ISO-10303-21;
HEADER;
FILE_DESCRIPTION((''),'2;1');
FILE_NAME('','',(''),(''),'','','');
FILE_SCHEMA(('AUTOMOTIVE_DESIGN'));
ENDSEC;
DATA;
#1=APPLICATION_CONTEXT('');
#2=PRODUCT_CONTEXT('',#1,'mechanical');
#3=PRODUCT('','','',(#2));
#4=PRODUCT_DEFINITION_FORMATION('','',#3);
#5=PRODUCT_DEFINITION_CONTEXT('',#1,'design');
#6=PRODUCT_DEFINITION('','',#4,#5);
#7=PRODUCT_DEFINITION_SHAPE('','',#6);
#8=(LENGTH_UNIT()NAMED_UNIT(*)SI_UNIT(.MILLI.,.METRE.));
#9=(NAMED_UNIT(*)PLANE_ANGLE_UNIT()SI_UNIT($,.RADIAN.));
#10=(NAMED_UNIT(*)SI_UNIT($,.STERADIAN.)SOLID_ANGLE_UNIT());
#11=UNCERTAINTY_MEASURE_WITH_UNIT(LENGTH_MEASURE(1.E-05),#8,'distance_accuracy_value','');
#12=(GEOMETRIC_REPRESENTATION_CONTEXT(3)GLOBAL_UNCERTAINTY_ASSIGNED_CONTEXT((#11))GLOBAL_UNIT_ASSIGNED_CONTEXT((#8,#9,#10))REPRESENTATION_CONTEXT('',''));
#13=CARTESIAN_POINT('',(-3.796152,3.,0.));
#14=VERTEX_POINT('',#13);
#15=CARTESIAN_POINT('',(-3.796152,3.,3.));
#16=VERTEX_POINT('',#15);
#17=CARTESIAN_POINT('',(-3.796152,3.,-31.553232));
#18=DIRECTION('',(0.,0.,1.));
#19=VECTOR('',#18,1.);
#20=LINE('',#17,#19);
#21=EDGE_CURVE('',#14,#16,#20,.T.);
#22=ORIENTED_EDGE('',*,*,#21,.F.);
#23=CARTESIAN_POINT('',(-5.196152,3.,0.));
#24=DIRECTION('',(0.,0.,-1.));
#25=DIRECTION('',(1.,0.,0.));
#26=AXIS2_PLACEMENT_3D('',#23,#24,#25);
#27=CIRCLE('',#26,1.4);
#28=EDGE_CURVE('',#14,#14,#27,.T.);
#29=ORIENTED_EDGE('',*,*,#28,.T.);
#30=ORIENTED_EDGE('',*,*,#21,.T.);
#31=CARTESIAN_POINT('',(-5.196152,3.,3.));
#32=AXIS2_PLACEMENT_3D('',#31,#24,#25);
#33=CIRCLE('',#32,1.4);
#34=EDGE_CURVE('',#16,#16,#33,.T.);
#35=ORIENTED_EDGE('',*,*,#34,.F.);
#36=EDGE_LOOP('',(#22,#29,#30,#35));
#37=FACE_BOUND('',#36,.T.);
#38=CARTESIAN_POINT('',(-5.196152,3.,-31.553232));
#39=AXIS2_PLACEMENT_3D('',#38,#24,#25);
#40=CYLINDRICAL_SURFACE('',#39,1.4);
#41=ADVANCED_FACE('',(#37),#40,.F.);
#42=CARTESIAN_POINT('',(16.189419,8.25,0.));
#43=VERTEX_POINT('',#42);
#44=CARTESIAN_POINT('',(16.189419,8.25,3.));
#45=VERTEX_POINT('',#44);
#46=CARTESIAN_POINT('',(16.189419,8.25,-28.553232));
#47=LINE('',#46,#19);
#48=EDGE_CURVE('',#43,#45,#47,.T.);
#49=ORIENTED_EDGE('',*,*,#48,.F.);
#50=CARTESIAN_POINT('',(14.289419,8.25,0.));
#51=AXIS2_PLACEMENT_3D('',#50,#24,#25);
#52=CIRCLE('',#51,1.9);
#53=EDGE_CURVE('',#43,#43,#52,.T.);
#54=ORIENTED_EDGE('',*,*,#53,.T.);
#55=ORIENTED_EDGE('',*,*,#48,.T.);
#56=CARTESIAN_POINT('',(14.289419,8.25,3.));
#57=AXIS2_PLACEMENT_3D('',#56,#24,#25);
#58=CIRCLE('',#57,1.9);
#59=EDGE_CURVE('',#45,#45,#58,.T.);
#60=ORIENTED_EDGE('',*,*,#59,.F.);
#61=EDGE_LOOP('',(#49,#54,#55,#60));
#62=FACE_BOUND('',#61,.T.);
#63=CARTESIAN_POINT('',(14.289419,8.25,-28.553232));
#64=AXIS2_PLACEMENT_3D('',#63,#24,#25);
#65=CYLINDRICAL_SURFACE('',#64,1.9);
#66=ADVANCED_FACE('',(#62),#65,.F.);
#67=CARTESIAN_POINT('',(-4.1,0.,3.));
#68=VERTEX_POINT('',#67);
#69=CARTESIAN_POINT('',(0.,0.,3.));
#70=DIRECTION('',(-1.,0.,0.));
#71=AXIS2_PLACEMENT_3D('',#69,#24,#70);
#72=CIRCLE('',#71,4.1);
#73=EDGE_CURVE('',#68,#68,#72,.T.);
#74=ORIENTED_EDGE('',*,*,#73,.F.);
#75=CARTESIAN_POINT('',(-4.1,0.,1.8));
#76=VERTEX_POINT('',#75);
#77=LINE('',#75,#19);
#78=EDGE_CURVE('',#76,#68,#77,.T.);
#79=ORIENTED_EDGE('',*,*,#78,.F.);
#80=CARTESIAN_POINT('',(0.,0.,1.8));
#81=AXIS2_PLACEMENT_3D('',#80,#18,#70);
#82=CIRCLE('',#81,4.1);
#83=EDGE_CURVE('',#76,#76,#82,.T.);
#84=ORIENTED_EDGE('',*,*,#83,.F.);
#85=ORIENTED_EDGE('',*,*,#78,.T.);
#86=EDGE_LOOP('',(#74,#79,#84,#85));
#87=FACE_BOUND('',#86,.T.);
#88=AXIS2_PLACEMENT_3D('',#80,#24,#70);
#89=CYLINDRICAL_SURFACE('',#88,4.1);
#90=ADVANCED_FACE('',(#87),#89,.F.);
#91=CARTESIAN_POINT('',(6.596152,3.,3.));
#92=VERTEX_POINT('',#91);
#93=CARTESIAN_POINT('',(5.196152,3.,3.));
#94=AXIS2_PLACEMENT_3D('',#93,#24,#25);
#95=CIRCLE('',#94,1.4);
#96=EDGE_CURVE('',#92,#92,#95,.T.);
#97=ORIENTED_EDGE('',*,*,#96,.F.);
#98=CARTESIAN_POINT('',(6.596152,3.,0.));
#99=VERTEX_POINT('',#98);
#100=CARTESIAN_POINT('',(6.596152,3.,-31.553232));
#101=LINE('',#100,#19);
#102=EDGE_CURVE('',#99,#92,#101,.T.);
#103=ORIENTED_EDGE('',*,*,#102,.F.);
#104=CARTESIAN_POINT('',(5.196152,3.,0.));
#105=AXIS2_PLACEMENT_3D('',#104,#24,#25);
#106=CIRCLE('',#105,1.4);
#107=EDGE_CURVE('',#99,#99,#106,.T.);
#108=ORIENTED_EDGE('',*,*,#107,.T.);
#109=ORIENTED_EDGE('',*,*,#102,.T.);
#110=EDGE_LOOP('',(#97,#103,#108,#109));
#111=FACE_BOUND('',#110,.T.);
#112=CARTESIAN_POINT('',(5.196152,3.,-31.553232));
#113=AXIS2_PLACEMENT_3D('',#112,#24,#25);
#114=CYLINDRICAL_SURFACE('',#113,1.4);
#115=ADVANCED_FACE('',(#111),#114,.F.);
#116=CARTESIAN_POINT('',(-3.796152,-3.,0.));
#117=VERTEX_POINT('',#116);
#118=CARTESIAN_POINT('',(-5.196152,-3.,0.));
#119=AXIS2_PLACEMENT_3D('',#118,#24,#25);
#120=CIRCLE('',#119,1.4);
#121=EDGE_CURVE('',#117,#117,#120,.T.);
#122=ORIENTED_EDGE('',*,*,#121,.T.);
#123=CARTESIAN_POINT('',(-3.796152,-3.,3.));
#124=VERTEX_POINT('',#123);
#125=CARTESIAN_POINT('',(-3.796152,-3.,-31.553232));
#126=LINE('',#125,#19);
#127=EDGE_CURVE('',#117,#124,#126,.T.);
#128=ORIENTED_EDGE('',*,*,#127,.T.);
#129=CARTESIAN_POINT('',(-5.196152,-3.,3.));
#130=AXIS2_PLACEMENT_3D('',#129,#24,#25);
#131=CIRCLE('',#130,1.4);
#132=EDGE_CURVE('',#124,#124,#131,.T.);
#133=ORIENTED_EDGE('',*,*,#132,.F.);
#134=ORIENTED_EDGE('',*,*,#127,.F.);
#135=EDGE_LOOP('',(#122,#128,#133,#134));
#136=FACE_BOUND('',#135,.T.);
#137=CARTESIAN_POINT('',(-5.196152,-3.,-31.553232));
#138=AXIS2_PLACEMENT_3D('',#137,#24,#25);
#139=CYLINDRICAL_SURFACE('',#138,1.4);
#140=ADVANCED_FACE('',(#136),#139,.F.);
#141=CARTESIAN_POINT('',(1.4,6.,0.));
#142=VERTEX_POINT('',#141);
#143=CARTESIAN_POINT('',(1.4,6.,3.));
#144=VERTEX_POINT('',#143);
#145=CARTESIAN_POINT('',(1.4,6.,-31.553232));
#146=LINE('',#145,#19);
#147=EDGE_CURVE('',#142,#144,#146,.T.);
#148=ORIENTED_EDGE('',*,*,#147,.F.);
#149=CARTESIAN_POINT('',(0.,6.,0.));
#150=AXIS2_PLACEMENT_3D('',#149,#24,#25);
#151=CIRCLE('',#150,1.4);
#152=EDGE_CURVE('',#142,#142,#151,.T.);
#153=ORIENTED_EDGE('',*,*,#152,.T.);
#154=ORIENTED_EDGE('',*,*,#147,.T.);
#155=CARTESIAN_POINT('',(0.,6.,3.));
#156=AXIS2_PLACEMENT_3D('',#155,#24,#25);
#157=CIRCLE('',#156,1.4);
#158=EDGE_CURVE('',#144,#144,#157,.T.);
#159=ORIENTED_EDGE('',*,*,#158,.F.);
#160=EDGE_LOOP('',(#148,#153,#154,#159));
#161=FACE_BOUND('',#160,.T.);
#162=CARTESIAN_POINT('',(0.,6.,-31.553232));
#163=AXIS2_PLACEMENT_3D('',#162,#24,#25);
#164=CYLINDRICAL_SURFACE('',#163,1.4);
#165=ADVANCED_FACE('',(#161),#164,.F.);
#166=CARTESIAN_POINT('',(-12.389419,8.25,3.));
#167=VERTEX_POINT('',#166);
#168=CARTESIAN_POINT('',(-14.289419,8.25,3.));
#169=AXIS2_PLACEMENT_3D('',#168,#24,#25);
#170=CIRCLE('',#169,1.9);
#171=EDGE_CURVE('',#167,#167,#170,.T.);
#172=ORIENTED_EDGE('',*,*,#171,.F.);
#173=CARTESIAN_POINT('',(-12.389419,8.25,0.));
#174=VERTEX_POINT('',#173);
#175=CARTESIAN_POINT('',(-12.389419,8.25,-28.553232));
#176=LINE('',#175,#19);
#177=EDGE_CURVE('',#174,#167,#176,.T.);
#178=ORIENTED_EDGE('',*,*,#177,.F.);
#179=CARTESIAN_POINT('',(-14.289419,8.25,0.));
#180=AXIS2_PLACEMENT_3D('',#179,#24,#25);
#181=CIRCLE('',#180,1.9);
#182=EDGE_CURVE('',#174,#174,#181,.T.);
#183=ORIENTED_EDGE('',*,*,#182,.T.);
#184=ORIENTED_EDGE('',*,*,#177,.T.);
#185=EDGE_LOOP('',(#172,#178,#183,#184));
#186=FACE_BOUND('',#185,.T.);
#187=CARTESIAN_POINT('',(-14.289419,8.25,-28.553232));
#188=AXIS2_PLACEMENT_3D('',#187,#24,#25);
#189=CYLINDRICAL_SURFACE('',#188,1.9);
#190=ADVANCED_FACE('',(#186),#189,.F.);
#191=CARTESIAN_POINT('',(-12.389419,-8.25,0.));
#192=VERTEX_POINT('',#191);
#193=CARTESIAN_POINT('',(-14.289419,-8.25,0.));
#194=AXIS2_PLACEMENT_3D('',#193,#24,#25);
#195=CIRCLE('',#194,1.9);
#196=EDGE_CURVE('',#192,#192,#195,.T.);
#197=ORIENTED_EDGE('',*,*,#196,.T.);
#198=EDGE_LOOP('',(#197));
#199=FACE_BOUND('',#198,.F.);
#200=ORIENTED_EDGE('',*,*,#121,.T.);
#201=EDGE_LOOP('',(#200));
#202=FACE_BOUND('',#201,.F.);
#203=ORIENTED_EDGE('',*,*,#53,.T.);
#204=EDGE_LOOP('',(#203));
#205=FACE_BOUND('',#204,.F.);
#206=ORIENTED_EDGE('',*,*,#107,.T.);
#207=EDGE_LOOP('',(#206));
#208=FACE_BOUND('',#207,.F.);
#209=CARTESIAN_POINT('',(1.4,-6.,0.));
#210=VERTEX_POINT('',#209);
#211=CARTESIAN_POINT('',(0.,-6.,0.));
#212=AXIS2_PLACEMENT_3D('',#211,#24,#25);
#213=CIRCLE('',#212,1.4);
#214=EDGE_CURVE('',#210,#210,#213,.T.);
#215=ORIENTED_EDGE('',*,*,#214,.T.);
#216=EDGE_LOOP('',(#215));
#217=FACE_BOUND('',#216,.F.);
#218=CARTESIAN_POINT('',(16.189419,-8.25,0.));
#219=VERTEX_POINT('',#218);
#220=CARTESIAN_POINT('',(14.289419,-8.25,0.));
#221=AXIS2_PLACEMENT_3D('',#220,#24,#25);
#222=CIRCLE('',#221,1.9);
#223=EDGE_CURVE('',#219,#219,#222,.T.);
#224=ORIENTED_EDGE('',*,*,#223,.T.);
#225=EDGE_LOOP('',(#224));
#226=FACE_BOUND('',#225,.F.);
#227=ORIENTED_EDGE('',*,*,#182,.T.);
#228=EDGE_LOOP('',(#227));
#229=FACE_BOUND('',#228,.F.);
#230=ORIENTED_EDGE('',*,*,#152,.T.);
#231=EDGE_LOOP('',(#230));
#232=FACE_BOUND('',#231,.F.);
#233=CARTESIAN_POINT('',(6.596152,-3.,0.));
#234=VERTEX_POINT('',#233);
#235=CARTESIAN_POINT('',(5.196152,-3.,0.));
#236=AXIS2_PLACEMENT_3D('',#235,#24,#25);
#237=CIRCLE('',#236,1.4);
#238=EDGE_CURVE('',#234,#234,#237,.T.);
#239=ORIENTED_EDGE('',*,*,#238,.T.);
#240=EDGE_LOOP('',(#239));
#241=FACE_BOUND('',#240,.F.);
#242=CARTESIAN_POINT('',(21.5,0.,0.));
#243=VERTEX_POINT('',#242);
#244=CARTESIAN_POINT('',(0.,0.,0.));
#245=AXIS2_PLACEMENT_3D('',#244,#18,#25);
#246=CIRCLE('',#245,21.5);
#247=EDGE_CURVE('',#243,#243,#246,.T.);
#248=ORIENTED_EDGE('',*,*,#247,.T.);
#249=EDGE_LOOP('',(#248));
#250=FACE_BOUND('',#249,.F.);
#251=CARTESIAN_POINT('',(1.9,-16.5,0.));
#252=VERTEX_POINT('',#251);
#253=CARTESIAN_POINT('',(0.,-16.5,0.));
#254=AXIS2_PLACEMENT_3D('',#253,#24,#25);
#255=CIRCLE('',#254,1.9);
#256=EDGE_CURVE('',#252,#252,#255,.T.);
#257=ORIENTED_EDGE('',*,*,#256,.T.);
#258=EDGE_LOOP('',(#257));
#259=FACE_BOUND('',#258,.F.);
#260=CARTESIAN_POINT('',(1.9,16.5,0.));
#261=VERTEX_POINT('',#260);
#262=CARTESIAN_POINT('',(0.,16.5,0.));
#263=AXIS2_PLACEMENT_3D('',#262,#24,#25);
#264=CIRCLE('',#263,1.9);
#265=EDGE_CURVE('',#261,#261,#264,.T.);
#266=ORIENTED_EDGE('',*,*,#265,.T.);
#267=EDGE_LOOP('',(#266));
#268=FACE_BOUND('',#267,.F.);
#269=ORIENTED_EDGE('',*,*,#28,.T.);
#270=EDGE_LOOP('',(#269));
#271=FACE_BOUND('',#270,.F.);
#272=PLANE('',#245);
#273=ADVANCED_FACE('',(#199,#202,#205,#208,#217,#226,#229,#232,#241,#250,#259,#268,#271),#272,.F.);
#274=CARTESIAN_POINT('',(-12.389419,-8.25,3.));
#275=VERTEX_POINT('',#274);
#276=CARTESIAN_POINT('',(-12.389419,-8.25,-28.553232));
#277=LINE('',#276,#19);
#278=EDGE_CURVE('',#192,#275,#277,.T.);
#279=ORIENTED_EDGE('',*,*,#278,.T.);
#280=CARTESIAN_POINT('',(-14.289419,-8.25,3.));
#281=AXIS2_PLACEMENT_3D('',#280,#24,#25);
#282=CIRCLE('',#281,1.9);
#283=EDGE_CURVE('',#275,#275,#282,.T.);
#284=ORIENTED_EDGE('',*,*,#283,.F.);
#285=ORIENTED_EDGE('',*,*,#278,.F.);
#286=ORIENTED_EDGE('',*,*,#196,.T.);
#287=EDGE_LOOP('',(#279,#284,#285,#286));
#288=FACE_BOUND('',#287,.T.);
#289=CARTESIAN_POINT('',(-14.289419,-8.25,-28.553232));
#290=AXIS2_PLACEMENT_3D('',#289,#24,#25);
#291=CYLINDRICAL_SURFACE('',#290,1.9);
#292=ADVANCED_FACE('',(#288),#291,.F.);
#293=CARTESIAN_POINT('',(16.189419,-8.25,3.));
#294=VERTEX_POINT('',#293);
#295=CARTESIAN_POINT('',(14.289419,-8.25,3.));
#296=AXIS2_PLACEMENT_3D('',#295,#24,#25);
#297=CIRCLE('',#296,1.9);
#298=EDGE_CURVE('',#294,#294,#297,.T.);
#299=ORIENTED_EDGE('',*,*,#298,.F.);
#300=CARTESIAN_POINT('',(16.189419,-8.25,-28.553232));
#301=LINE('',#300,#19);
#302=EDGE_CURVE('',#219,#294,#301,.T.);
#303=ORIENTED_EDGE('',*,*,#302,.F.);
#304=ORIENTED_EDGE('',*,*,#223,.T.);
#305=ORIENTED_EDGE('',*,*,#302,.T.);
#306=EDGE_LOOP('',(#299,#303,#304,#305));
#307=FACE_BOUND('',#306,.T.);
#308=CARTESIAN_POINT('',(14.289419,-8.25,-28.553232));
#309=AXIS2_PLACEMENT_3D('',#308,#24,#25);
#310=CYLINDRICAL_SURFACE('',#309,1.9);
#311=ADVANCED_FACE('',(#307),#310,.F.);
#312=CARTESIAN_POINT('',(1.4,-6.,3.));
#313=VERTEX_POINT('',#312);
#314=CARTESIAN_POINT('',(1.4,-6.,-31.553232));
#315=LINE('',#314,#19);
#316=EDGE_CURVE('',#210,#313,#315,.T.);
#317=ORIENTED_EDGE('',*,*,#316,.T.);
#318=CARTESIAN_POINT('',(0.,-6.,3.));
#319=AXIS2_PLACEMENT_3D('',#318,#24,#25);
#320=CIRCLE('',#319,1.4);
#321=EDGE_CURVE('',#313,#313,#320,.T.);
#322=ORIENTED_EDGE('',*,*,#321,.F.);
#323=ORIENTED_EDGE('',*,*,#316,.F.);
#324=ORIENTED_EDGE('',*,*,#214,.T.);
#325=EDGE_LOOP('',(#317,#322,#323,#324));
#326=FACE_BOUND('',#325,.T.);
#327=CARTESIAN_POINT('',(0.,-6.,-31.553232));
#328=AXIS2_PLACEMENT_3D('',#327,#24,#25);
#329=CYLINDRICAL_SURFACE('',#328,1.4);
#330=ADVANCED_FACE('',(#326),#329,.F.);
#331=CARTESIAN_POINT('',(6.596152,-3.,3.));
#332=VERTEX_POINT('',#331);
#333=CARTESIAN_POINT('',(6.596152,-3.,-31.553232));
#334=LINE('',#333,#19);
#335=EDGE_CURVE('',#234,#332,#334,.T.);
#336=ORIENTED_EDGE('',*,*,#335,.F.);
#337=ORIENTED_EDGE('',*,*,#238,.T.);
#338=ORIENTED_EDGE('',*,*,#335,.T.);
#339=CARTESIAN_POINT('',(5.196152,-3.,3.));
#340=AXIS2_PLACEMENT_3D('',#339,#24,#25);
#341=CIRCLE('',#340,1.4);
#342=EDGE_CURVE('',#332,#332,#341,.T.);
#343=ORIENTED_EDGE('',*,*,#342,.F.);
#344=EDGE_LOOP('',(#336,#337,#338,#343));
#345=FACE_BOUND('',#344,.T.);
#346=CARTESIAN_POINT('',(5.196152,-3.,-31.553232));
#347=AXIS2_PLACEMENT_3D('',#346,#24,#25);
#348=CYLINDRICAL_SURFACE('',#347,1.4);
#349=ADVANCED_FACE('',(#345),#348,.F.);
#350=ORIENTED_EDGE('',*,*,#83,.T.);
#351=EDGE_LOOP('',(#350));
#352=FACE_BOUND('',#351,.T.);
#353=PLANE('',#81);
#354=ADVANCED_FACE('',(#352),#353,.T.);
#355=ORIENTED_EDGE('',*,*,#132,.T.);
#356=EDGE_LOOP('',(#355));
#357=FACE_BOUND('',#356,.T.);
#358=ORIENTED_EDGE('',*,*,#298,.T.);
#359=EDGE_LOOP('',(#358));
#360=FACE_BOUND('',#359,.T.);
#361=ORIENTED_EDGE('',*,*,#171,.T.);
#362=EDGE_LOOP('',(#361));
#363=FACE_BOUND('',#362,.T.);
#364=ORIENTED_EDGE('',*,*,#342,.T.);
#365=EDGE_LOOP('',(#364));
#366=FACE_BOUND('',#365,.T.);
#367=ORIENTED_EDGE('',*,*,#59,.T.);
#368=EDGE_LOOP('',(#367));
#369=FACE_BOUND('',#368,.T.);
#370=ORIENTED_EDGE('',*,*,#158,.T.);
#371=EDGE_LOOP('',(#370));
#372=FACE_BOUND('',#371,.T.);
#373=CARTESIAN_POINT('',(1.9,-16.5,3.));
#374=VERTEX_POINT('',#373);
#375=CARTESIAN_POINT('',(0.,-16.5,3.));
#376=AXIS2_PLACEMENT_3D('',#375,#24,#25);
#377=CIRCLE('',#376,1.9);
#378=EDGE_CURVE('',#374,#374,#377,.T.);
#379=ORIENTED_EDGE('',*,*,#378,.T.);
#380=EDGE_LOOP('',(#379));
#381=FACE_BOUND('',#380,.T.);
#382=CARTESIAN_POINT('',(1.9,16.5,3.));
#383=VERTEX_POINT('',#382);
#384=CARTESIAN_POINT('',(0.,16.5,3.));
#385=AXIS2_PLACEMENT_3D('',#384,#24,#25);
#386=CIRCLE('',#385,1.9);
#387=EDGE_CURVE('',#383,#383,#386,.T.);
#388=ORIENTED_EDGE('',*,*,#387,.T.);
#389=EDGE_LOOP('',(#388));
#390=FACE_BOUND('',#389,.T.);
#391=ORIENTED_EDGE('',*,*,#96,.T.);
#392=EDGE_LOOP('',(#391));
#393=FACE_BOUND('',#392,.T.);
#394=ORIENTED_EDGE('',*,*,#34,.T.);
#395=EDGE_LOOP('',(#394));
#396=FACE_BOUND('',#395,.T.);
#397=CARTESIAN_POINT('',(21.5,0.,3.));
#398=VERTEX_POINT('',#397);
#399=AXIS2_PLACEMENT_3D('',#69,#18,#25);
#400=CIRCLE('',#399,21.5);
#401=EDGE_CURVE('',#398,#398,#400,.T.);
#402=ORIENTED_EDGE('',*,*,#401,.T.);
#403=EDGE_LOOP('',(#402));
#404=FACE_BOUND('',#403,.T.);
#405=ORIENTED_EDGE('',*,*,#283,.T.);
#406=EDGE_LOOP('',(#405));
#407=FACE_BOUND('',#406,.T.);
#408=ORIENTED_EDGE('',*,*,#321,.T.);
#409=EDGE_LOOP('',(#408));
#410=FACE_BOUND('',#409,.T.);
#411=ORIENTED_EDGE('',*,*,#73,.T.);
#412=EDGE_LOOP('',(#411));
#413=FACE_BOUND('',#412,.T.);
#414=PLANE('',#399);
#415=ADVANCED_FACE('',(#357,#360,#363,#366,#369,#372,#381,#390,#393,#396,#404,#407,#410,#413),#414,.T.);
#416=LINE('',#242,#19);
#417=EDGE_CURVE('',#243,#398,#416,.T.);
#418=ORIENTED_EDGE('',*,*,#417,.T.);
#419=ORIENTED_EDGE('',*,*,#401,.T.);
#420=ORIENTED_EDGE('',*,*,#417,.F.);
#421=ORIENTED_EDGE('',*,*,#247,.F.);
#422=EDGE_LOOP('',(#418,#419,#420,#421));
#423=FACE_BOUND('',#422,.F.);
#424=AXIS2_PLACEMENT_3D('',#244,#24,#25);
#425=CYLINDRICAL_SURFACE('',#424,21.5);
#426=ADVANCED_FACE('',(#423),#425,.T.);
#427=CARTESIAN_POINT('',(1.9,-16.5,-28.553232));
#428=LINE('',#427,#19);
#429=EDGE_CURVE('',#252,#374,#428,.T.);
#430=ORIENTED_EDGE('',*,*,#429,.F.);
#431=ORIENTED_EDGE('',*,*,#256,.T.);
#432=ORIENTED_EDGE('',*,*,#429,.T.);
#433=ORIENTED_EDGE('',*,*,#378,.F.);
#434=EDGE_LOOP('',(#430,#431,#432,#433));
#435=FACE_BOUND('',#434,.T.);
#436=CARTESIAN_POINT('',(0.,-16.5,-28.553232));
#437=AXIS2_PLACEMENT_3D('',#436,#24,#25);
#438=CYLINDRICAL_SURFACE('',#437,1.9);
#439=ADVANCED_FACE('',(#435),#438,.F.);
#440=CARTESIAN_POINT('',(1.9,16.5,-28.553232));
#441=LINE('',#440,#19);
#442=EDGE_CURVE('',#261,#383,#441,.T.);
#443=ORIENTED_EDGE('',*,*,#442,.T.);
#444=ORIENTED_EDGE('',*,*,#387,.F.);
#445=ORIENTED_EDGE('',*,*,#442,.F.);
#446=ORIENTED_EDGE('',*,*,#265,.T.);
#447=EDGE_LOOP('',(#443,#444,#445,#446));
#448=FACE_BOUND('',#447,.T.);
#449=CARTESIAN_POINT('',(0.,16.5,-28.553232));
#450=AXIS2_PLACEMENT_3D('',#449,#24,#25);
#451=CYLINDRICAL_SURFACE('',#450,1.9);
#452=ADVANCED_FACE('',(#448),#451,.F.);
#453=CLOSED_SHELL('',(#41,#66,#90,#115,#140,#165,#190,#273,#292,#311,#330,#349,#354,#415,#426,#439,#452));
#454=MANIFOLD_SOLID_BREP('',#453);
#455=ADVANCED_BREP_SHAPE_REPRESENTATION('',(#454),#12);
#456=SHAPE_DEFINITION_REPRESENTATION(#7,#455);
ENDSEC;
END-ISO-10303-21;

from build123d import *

# Parameters (mm, degrees)
SKETCH_1_R               = 21.5
EXTRUDE_1_DEPTH          = 3
CUT_EXTRUDE_1_DEPTH      = 31.553232235
CUT_EXTRUDE_1_DEPTH_BACK = 31.553232235
SKETCH_2_R               = 1.4
CUT_EXTRUDE_2_DEPTH      = 31.553232235
CUT_EXTRUDE_2_DEPTH_BACK = 31.553232235
SKETCH_3_R               = 1.9
CUT_EXTRUDE_3_DEPTH      = 31.553232235
CUT_EXTRUDE_3_DEPTH_BACK = 1.2
SKETCH_4_R               = 4.1


with BuildPart() as part:
    # ｽｹｯﾁ1 → ﾎﾞｽ - 押し出し1 (new body)
    with BuildSketch(Plane.XY):
        Circle(SKETCH_1_R)
    extrude(amount=EXTRUDE_1_DEPTH)

    # ｽｹｯﾁ2 → ｶｯﾄ - 押し出し1 (cut, two sides: drawn at the far end of the back side and taken through both)
    with BuildSketch(Plane.XY.offset(-CUT_EXTRUDE_1_DEPTH_BACK)):
        with Locations((0, 6)):
            Circle(SKETCH_2_R)
        with Locations((5.196152423, 3)):
            Circle(SKETCH_2_R)
        with Locations((5.196152423, -3)):
            Circle(SKETCH_2_R)
        with Locations((0, -6)):
            Circle(SKETCH_2_R)
        with Locations((-5.196152423, -3)):
            Circle(SKETCH_2_R)
        with Locations((-5.196152423, 3)):
            Circle(SKETCH_2_R)
    extrude(amount=CUT_EXTRUDE_1_DEPTH + CUT_EXTRUDE_1_DEPTH_BACK, mode=Mode.SUBTRACT)

    # ｽｹｯﾁ3 → ｶｯﾄ - 押し出し2 (cut, two sides: drawn at the far end of the back side and taken through both)
    with BuildSketch(Plane.XY.offset(3).offset(-CUT_EXTRUDE_2_DEPTH_BACK)):
        with Locations((0, 16.5)):
            Circle(SKETCH_3_R)
        with Locations((14.289419162, 8.25)):
            Circle(SKETCH_3_R)
        with Locations((14.289419162, -8.25)):
            Circle(SKETCH_3_R)
        with Locations((0, -16.5)):
            Circle(SKETCH_3_R)
        with Locations((-14.289419162, -8.25)):
            Circle(SKETCH_3_R)
        with Locations((-14.289419162, 8.25)):
            Circle(SKETCH_3_R)
    extrude(amount=CUT_EXTRUDE_2_DEPTH + CUT_EXTRUDE_2_DEPTH_BACK, mode=Mode.SUBTRACT)

    # ｽｹｯﾁ4 → ｶｯﾄ - 押し出し3 (cut, two sides: drawn at the far end of the back side and taken through both)
    with BuildSketch(Plane.XY.offset(3).offset(-CUT_EXTRUDE_3_DEPTH_BACK)):
        with Locations(Location((0, 0, 0), (0, 0, 180))):
            Circle(SKETCH_4_R)
    extrude(amount=CUT_EXTRUDE_3_DEPTH + CUT_EXTRUDE_3_DEPTH_BACK, mode=Mode.SUBTRACT)


solid = part.part
